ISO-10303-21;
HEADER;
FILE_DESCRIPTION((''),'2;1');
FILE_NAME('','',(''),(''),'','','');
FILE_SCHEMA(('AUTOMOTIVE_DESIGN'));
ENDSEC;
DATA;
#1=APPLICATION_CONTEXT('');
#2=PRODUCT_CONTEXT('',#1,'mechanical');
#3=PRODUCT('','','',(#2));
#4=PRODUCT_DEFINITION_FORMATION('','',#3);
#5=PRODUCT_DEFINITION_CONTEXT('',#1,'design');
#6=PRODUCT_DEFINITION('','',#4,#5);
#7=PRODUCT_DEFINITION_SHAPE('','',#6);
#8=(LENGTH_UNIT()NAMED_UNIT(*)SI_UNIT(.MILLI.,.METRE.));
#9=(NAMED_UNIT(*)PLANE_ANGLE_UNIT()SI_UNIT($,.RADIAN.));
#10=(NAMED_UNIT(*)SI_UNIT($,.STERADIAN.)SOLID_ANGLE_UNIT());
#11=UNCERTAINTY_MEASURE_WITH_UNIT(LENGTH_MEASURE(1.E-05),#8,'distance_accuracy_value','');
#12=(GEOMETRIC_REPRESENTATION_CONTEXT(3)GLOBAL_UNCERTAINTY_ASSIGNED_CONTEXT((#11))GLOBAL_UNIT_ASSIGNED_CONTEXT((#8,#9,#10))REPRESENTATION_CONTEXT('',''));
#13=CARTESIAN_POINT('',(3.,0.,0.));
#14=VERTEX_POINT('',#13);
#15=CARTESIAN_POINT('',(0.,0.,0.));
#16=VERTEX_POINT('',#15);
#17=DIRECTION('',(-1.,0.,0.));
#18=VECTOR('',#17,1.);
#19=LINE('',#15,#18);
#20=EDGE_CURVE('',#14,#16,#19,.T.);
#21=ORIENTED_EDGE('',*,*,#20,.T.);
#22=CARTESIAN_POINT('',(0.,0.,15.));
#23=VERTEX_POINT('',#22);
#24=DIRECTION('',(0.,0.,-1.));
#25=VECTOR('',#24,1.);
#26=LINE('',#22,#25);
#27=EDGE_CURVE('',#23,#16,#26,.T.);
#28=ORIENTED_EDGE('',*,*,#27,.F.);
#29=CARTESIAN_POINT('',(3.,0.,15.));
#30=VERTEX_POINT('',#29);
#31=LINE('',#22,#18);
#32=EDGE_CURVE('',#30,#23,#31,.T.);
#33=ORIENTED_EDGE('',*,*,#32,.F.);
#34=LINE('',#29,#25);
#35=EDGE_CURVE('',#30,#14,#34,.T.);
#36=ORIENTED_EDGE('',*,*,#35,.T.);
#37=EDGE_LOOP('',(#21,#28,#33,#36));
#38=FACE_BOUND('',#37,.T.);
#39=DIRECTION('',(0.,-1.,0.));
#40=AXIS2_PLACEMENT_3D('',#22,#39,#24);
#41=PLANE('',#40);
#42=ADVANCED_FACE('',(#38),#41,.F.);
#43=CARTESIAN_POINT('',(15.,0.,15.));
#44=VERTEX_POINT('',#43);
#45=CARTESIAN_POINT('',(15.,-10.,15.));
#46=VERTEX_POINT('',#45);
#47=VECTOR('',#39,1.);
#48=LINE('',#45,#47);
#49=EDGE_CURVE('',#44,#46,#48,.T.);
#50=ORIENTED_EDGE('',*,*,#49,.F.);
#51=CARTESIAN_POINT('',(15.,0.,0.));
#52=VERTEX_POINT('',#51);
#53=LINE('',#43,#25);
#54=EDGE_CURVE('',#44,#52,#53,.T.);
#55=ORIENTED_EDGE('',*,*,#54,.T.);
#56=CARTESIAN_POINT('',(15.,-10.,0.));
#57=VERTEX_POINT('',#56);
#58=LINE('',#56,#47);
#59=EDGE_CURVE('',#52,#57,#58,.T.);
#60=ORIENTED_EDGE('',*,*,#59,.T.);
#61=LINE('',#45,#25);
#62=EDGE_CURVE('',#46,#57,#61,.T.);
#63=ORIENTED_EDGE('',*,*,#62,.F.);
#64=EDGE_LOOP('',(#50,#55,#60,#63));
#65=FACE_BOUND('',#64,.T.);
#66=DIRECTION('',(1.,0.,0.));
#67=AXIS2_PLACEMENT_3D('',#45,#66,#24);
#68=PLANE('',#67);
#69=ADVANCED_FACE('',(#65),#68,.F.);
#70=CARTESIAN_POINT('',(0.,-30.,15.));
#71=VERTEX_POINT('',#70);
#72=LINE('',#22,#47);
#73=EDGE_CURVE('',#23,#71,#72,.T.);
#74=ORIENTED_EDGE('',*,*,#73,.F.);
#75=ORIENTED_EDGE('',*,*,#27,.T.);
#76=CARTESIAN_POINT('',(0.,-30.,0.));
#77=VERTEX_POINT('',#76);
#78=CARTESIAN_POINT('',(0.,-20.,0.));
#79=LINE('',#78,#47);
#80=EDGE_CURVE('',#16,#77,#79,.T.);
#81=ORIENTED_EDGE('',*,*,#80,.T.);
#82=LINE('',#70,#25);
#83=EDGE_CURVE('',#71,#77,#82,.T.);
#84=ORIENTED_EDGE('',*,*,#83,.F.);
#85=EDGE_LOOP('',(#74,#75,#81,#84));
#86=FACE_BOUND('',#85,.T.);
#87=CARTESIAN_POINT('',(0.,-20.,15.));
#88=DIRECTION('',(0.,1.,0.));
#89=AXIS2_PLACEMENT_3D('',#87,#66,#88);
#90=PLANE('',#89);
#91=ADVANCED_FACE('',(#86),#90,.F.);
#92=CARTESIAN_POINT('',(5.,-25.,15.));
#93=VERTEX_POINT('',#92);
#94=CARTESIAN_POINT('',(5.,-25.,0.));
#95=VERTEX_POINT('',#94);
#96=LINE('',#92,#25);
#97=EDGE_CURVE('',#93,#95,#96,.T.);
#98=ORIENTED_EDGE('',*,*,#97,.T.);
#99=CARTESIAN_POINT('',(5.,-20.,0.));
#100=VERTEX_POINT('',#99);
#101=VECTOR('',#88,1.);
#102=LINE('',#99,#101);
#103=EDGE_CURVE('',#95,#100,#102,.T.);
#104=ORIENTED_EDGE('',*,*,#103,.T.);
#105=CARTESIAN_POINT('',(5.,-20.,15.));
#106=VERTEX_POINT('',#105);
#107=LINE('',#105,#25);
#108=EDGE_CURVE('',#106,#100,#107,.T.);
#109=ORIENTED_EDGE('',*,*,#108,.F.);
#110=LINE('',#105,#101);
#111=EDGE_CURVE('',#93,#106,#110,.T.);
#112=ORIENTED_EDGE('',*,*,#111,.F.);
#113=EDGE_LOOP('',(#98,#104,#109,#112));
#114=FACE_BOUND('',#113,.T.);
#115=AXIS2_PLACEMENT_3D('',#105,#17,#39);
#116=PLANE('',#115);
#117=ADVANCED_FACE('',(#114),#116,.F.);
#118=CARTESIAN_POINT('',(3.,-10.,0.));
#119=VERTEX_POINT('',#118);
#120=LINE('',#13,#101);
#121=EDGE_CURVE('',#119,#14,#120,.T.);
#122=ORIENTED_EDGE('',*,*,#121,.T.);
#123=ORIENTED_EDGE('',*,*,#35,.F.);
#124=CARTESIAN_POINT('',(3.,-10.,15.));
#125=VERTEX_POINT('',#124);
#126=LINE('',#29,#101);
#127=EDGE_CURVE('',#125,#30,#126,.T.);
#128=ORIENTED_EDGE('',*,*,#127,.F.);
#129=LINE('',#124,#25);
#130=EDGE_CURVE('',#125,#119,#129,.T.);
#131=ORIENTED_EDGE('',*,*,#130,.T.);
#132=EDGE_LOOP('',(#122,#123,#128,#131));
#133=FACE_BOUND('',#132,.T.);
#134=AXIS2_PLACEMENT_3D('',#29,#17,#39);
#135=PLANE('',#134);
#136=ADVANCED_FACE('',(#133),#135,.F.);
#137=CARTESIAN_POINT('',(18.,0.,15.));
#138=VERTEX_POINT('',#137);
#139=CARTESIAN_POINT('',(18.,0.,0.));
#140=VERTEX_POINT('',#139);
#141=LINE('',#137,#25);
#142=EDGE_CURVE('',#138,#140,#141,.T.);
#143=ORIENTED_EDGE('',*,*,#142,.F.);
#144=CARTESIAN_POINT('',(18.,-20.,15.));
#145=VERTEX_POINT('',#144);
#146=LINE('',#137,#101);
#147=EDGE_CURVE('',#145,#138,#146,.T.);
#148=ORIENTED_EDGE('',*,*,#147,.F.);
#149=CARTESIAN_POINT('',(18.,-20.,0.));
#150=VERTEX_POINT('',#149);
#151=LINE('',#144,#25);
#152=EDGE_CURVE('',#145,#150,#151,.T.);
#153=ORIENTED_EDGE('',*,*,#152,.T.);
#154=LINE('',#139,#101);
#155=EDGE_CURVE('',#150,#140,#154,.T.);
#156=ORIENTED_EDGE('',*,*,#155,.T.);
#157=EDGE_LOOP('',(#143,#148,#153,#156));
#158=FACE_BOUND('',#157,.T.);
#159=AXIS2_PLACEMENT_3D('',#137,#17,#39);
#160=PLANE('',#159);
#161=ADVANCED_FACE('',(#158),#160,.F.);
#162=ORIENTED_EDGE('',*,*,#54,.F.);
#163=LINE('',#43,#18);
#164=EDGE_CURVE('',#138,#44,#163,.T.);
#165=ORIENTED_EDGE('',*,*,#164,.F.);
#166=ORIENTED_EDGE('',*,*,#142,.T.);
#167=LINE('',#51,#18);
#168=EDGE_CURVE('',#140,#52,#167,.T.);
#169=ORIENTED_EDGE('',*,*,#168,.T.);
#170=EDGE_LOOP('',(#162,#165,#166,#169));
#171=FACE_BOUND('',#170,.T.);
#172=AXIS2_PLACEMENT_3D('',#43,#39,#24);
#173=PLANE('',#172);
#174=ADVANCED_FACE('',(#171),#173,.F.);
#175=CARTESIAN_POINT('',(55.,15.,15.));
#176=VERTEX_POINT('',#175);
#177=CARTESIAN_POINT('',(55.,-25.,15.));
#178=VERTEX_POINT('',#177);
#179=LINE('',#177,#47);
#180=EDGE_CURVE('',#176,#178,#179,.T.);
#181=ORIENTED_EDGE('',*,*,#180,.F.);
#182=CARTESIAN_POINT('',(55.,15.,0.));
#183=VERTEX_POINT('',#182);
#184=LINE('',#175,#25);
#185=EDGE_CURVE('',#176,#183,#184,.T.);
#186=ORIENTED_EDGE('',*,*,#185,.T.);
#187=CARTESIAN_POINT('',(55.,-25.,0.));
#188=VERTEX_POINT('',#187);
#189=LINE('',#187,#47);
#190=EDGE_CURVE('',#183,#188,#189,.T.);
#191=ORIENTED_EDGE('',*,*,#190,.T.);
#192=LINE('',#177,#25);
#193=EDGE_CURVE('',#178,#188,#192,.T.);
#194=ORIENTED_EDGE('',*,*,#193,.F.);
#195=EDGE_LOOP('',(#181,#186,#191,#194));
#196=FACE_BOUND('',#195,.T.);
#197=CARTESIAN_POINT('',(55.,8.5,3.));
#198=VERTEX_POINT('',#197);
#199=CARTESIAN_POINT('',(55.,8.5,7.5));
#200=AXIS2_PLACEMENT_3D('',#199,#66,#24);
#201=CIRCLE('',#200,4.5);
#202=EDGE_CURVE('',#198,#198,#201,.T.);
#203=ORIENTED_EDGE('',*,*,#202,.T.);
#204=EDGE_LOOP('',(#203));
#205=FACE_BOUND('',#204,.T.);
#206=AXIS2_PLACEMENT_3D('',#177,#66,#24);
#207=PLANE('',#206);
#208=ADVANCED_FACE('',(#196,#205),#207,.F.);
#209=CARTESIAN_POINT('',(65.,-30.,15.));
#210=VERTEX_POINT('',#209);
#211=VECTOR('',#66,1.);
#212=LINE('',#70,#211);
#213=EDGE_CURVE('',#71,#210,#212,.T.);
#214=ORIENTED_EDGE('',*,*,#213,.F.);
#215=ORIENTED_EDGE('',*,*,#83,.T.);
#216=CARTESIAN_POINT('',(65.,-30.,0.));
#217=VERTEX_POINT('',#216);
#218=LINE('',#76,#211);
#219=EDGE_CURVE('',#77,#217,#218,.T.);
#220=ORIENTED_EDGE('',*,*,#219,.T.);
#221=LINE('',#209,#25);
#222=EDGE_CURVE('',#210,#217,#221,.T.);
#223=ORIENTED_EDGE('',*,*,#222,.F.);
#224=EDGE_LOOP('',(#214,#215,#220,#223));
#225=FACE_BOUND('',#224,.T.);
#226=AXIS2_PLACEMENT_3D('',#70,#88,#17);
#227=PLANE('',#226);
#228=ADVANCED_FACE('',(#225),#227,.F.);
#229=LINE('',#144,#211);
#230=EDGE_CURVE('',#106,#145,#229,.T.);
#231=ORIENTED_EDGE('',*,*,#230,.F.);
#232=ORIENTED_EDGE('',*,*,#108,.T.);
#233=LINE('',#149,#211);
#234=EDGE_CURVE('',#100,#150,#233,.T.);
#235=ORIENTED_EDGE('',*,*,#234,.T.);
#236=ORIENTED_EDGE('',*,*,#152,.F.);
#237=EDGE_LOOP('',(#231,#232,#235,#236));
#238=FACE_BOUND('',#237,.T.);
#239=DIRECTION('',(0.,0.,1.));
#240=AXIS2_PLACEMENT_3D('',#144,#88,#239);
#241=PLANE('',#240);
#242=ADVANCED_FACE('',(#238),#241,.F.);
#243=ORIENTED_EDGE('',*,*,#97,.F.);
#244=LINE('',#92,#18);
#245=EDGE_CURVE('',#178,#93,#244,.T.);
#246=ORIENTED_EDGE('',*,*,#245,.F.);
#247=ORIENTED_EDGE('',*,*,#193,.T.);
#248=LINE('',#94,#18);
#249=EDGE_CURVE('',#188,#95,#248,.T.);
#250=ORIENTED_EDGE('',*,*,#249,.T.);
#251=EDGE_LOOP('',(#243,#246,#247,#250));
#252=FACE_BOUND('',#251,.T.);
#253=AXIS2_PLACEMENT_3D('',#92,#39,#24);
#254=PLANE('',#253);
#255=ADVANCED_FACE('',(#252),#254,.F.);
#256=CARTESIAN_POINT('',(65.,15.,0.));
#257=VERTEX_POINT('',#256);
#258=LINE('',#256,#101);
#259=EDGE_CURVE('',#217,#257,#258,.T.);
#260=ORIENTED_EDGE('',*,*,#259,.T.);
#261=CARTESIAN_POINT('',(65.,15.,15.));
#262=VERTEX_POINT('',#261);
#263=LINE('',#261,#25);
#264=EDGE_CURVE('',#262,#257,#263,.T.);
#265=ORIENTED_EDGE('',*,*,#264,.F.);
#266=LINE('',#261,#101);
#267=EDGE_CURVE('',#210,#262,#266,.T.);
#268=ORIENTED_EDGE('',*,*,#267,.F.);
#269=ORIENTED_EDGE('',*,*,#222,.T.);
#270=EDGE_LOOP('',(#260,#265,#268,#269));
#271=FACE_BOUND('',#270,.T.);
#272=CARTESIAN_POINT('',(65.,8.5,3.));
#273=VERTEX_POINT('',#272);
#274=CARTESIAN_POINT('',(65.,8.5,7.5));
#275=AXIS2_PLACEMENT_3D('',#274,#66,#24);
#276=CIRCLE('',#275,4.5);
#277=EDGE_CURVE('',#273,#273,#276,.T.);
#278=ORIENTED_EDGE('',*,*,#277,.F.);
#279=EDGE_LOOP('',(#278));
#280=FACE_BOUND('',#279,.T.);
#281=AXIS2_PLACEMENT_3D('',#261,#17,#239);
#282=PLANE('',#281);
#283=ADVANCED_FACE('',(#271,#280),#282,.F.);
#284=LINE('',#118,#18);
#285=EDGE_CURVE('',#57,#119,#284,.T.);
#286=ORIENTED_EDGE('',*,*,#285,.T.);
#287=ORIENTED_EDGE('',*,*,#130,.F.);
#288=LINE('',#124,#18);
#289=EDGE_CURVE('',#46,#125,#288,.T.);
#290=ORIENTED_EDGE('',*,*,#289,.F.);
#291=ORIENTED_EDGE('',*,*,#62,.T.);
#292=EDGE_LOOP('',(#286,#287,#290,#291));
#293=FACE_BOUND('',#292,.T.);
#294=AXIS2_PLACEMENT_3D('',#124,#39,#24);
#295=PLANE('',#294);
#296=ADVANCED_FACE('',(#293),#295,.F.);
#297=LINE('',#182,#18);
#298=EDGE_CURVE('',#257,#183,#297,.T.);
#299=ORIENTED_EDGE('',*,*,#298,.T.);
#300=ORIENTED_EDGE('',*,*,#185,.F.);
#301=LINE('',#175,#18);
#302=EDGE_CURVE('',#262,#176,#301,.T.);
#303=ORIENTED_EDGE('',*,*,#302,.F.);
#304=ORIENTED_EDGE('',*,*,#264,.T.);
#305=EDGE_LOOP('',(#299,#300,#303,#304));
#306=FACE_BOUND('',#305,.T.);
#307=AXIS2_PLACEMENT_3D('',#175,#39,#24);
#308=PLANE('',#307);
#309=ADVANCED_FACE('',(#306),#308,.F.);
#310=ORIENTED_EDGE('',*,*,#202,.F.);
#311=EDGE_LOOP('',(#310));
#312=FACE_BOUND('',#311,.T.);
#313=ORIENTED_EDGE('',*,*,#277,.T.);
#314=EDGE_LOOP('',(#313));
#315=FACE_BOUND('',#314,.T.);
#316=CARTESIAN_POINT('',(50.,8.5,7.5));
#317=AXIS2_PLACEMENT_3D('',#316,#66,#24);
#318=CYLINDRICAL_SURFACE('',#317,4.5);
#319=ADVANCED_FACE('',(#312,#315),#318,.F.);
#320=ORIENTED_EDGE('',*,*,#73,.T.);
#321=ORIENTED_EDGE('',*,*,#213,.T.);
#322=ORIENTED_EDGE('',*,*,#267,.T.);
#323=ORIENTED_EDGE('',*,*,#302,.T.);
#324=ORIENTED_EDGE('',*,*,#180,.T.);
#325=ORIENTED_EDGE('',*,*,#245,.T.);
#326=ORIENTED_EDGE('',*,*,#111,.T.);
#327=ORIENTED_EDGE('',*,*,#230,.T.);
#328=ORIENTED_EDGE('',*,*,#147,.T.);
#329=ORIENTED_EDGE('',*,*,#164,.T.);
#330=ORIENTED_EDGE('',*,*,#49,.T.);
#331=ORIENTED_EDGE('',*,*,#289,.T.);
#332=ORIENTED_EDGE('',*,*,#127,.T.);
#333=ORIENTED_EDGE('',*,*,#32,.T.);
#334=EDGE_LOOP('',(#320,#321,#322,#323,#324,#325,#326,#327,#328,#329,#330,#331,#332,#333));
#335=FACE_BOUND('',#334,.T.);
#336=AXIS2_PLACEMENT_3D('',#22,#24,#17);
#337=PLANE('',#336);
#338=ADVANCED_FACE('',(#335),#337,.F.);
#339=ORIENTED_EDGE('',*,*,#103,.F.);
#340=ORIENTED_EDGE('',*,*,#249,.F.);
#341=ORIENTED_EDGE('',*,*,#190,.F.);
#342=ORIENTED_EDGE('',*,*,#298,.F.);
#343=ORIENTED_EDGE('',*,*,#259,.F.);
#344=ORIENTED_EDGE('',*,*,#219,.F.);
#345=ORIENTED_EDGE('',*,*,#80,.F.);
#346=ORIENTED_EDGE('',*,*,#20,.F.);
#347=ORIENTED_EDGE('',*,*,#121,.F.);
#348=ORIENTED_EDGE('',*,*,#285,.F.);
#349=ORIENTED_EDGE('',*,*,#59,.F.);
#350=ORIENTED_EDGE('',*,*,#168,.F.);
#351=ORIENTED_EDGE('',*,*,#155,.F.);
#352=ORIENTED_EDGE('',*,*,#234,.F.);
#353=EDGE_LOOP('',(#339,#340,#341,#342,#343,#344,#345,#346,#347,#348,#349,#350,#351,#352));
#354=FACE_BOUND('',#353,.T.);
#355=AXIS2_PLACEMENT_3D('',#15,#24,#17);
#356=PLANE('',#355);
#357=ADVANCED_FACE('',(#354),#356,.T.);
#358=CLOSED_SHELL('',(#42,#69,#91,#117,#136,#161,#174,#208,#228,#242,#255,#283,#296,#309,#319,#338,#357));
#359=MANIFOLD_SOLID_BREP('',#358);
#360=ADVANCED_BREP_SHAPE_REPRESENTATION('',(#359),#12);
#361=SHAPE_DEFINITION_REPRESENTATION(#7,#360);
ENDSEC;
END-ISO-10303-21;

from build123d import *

# Parameters (mm, degrees)
EXTRUDE_1_DEPTH     = 15
SKETCH_5_R          = 4.5
CUT_EXTRUDE_1_DEPTH = 15


with BuildPart() as part:
    # Эскиз4 → Бобышка-Вытянуть1 (new body)
    with BuildSketch(Plane.XY):
        Polygon((0, 0), (0, -20), (0, -30), (65, -30), (65, 15), (55, 15), (55, -25), (5, -25), (5, -20), (18, -20), (18, 0), (15, 0), (15, -10), (3, -10), (3, 0), align=None)
    extrude(amount=EXTRUDE_1_DEPTH)

    # Эскиз5 → Вырез-Вытянуть1 (cut)
    with BuildSketch(Plane(origin=(65, 0, 0), x_dir=(0, 0, -1), z_dir=(1, 0, 0))):
        with Locations((-7.5, 8.5)):
            Circle(SKETCH_5_R)
    extrude(amount=-CUT_EXTRUDE_1_DEPTH, mode=Mode.SUBTRACT)


solid = part.part
